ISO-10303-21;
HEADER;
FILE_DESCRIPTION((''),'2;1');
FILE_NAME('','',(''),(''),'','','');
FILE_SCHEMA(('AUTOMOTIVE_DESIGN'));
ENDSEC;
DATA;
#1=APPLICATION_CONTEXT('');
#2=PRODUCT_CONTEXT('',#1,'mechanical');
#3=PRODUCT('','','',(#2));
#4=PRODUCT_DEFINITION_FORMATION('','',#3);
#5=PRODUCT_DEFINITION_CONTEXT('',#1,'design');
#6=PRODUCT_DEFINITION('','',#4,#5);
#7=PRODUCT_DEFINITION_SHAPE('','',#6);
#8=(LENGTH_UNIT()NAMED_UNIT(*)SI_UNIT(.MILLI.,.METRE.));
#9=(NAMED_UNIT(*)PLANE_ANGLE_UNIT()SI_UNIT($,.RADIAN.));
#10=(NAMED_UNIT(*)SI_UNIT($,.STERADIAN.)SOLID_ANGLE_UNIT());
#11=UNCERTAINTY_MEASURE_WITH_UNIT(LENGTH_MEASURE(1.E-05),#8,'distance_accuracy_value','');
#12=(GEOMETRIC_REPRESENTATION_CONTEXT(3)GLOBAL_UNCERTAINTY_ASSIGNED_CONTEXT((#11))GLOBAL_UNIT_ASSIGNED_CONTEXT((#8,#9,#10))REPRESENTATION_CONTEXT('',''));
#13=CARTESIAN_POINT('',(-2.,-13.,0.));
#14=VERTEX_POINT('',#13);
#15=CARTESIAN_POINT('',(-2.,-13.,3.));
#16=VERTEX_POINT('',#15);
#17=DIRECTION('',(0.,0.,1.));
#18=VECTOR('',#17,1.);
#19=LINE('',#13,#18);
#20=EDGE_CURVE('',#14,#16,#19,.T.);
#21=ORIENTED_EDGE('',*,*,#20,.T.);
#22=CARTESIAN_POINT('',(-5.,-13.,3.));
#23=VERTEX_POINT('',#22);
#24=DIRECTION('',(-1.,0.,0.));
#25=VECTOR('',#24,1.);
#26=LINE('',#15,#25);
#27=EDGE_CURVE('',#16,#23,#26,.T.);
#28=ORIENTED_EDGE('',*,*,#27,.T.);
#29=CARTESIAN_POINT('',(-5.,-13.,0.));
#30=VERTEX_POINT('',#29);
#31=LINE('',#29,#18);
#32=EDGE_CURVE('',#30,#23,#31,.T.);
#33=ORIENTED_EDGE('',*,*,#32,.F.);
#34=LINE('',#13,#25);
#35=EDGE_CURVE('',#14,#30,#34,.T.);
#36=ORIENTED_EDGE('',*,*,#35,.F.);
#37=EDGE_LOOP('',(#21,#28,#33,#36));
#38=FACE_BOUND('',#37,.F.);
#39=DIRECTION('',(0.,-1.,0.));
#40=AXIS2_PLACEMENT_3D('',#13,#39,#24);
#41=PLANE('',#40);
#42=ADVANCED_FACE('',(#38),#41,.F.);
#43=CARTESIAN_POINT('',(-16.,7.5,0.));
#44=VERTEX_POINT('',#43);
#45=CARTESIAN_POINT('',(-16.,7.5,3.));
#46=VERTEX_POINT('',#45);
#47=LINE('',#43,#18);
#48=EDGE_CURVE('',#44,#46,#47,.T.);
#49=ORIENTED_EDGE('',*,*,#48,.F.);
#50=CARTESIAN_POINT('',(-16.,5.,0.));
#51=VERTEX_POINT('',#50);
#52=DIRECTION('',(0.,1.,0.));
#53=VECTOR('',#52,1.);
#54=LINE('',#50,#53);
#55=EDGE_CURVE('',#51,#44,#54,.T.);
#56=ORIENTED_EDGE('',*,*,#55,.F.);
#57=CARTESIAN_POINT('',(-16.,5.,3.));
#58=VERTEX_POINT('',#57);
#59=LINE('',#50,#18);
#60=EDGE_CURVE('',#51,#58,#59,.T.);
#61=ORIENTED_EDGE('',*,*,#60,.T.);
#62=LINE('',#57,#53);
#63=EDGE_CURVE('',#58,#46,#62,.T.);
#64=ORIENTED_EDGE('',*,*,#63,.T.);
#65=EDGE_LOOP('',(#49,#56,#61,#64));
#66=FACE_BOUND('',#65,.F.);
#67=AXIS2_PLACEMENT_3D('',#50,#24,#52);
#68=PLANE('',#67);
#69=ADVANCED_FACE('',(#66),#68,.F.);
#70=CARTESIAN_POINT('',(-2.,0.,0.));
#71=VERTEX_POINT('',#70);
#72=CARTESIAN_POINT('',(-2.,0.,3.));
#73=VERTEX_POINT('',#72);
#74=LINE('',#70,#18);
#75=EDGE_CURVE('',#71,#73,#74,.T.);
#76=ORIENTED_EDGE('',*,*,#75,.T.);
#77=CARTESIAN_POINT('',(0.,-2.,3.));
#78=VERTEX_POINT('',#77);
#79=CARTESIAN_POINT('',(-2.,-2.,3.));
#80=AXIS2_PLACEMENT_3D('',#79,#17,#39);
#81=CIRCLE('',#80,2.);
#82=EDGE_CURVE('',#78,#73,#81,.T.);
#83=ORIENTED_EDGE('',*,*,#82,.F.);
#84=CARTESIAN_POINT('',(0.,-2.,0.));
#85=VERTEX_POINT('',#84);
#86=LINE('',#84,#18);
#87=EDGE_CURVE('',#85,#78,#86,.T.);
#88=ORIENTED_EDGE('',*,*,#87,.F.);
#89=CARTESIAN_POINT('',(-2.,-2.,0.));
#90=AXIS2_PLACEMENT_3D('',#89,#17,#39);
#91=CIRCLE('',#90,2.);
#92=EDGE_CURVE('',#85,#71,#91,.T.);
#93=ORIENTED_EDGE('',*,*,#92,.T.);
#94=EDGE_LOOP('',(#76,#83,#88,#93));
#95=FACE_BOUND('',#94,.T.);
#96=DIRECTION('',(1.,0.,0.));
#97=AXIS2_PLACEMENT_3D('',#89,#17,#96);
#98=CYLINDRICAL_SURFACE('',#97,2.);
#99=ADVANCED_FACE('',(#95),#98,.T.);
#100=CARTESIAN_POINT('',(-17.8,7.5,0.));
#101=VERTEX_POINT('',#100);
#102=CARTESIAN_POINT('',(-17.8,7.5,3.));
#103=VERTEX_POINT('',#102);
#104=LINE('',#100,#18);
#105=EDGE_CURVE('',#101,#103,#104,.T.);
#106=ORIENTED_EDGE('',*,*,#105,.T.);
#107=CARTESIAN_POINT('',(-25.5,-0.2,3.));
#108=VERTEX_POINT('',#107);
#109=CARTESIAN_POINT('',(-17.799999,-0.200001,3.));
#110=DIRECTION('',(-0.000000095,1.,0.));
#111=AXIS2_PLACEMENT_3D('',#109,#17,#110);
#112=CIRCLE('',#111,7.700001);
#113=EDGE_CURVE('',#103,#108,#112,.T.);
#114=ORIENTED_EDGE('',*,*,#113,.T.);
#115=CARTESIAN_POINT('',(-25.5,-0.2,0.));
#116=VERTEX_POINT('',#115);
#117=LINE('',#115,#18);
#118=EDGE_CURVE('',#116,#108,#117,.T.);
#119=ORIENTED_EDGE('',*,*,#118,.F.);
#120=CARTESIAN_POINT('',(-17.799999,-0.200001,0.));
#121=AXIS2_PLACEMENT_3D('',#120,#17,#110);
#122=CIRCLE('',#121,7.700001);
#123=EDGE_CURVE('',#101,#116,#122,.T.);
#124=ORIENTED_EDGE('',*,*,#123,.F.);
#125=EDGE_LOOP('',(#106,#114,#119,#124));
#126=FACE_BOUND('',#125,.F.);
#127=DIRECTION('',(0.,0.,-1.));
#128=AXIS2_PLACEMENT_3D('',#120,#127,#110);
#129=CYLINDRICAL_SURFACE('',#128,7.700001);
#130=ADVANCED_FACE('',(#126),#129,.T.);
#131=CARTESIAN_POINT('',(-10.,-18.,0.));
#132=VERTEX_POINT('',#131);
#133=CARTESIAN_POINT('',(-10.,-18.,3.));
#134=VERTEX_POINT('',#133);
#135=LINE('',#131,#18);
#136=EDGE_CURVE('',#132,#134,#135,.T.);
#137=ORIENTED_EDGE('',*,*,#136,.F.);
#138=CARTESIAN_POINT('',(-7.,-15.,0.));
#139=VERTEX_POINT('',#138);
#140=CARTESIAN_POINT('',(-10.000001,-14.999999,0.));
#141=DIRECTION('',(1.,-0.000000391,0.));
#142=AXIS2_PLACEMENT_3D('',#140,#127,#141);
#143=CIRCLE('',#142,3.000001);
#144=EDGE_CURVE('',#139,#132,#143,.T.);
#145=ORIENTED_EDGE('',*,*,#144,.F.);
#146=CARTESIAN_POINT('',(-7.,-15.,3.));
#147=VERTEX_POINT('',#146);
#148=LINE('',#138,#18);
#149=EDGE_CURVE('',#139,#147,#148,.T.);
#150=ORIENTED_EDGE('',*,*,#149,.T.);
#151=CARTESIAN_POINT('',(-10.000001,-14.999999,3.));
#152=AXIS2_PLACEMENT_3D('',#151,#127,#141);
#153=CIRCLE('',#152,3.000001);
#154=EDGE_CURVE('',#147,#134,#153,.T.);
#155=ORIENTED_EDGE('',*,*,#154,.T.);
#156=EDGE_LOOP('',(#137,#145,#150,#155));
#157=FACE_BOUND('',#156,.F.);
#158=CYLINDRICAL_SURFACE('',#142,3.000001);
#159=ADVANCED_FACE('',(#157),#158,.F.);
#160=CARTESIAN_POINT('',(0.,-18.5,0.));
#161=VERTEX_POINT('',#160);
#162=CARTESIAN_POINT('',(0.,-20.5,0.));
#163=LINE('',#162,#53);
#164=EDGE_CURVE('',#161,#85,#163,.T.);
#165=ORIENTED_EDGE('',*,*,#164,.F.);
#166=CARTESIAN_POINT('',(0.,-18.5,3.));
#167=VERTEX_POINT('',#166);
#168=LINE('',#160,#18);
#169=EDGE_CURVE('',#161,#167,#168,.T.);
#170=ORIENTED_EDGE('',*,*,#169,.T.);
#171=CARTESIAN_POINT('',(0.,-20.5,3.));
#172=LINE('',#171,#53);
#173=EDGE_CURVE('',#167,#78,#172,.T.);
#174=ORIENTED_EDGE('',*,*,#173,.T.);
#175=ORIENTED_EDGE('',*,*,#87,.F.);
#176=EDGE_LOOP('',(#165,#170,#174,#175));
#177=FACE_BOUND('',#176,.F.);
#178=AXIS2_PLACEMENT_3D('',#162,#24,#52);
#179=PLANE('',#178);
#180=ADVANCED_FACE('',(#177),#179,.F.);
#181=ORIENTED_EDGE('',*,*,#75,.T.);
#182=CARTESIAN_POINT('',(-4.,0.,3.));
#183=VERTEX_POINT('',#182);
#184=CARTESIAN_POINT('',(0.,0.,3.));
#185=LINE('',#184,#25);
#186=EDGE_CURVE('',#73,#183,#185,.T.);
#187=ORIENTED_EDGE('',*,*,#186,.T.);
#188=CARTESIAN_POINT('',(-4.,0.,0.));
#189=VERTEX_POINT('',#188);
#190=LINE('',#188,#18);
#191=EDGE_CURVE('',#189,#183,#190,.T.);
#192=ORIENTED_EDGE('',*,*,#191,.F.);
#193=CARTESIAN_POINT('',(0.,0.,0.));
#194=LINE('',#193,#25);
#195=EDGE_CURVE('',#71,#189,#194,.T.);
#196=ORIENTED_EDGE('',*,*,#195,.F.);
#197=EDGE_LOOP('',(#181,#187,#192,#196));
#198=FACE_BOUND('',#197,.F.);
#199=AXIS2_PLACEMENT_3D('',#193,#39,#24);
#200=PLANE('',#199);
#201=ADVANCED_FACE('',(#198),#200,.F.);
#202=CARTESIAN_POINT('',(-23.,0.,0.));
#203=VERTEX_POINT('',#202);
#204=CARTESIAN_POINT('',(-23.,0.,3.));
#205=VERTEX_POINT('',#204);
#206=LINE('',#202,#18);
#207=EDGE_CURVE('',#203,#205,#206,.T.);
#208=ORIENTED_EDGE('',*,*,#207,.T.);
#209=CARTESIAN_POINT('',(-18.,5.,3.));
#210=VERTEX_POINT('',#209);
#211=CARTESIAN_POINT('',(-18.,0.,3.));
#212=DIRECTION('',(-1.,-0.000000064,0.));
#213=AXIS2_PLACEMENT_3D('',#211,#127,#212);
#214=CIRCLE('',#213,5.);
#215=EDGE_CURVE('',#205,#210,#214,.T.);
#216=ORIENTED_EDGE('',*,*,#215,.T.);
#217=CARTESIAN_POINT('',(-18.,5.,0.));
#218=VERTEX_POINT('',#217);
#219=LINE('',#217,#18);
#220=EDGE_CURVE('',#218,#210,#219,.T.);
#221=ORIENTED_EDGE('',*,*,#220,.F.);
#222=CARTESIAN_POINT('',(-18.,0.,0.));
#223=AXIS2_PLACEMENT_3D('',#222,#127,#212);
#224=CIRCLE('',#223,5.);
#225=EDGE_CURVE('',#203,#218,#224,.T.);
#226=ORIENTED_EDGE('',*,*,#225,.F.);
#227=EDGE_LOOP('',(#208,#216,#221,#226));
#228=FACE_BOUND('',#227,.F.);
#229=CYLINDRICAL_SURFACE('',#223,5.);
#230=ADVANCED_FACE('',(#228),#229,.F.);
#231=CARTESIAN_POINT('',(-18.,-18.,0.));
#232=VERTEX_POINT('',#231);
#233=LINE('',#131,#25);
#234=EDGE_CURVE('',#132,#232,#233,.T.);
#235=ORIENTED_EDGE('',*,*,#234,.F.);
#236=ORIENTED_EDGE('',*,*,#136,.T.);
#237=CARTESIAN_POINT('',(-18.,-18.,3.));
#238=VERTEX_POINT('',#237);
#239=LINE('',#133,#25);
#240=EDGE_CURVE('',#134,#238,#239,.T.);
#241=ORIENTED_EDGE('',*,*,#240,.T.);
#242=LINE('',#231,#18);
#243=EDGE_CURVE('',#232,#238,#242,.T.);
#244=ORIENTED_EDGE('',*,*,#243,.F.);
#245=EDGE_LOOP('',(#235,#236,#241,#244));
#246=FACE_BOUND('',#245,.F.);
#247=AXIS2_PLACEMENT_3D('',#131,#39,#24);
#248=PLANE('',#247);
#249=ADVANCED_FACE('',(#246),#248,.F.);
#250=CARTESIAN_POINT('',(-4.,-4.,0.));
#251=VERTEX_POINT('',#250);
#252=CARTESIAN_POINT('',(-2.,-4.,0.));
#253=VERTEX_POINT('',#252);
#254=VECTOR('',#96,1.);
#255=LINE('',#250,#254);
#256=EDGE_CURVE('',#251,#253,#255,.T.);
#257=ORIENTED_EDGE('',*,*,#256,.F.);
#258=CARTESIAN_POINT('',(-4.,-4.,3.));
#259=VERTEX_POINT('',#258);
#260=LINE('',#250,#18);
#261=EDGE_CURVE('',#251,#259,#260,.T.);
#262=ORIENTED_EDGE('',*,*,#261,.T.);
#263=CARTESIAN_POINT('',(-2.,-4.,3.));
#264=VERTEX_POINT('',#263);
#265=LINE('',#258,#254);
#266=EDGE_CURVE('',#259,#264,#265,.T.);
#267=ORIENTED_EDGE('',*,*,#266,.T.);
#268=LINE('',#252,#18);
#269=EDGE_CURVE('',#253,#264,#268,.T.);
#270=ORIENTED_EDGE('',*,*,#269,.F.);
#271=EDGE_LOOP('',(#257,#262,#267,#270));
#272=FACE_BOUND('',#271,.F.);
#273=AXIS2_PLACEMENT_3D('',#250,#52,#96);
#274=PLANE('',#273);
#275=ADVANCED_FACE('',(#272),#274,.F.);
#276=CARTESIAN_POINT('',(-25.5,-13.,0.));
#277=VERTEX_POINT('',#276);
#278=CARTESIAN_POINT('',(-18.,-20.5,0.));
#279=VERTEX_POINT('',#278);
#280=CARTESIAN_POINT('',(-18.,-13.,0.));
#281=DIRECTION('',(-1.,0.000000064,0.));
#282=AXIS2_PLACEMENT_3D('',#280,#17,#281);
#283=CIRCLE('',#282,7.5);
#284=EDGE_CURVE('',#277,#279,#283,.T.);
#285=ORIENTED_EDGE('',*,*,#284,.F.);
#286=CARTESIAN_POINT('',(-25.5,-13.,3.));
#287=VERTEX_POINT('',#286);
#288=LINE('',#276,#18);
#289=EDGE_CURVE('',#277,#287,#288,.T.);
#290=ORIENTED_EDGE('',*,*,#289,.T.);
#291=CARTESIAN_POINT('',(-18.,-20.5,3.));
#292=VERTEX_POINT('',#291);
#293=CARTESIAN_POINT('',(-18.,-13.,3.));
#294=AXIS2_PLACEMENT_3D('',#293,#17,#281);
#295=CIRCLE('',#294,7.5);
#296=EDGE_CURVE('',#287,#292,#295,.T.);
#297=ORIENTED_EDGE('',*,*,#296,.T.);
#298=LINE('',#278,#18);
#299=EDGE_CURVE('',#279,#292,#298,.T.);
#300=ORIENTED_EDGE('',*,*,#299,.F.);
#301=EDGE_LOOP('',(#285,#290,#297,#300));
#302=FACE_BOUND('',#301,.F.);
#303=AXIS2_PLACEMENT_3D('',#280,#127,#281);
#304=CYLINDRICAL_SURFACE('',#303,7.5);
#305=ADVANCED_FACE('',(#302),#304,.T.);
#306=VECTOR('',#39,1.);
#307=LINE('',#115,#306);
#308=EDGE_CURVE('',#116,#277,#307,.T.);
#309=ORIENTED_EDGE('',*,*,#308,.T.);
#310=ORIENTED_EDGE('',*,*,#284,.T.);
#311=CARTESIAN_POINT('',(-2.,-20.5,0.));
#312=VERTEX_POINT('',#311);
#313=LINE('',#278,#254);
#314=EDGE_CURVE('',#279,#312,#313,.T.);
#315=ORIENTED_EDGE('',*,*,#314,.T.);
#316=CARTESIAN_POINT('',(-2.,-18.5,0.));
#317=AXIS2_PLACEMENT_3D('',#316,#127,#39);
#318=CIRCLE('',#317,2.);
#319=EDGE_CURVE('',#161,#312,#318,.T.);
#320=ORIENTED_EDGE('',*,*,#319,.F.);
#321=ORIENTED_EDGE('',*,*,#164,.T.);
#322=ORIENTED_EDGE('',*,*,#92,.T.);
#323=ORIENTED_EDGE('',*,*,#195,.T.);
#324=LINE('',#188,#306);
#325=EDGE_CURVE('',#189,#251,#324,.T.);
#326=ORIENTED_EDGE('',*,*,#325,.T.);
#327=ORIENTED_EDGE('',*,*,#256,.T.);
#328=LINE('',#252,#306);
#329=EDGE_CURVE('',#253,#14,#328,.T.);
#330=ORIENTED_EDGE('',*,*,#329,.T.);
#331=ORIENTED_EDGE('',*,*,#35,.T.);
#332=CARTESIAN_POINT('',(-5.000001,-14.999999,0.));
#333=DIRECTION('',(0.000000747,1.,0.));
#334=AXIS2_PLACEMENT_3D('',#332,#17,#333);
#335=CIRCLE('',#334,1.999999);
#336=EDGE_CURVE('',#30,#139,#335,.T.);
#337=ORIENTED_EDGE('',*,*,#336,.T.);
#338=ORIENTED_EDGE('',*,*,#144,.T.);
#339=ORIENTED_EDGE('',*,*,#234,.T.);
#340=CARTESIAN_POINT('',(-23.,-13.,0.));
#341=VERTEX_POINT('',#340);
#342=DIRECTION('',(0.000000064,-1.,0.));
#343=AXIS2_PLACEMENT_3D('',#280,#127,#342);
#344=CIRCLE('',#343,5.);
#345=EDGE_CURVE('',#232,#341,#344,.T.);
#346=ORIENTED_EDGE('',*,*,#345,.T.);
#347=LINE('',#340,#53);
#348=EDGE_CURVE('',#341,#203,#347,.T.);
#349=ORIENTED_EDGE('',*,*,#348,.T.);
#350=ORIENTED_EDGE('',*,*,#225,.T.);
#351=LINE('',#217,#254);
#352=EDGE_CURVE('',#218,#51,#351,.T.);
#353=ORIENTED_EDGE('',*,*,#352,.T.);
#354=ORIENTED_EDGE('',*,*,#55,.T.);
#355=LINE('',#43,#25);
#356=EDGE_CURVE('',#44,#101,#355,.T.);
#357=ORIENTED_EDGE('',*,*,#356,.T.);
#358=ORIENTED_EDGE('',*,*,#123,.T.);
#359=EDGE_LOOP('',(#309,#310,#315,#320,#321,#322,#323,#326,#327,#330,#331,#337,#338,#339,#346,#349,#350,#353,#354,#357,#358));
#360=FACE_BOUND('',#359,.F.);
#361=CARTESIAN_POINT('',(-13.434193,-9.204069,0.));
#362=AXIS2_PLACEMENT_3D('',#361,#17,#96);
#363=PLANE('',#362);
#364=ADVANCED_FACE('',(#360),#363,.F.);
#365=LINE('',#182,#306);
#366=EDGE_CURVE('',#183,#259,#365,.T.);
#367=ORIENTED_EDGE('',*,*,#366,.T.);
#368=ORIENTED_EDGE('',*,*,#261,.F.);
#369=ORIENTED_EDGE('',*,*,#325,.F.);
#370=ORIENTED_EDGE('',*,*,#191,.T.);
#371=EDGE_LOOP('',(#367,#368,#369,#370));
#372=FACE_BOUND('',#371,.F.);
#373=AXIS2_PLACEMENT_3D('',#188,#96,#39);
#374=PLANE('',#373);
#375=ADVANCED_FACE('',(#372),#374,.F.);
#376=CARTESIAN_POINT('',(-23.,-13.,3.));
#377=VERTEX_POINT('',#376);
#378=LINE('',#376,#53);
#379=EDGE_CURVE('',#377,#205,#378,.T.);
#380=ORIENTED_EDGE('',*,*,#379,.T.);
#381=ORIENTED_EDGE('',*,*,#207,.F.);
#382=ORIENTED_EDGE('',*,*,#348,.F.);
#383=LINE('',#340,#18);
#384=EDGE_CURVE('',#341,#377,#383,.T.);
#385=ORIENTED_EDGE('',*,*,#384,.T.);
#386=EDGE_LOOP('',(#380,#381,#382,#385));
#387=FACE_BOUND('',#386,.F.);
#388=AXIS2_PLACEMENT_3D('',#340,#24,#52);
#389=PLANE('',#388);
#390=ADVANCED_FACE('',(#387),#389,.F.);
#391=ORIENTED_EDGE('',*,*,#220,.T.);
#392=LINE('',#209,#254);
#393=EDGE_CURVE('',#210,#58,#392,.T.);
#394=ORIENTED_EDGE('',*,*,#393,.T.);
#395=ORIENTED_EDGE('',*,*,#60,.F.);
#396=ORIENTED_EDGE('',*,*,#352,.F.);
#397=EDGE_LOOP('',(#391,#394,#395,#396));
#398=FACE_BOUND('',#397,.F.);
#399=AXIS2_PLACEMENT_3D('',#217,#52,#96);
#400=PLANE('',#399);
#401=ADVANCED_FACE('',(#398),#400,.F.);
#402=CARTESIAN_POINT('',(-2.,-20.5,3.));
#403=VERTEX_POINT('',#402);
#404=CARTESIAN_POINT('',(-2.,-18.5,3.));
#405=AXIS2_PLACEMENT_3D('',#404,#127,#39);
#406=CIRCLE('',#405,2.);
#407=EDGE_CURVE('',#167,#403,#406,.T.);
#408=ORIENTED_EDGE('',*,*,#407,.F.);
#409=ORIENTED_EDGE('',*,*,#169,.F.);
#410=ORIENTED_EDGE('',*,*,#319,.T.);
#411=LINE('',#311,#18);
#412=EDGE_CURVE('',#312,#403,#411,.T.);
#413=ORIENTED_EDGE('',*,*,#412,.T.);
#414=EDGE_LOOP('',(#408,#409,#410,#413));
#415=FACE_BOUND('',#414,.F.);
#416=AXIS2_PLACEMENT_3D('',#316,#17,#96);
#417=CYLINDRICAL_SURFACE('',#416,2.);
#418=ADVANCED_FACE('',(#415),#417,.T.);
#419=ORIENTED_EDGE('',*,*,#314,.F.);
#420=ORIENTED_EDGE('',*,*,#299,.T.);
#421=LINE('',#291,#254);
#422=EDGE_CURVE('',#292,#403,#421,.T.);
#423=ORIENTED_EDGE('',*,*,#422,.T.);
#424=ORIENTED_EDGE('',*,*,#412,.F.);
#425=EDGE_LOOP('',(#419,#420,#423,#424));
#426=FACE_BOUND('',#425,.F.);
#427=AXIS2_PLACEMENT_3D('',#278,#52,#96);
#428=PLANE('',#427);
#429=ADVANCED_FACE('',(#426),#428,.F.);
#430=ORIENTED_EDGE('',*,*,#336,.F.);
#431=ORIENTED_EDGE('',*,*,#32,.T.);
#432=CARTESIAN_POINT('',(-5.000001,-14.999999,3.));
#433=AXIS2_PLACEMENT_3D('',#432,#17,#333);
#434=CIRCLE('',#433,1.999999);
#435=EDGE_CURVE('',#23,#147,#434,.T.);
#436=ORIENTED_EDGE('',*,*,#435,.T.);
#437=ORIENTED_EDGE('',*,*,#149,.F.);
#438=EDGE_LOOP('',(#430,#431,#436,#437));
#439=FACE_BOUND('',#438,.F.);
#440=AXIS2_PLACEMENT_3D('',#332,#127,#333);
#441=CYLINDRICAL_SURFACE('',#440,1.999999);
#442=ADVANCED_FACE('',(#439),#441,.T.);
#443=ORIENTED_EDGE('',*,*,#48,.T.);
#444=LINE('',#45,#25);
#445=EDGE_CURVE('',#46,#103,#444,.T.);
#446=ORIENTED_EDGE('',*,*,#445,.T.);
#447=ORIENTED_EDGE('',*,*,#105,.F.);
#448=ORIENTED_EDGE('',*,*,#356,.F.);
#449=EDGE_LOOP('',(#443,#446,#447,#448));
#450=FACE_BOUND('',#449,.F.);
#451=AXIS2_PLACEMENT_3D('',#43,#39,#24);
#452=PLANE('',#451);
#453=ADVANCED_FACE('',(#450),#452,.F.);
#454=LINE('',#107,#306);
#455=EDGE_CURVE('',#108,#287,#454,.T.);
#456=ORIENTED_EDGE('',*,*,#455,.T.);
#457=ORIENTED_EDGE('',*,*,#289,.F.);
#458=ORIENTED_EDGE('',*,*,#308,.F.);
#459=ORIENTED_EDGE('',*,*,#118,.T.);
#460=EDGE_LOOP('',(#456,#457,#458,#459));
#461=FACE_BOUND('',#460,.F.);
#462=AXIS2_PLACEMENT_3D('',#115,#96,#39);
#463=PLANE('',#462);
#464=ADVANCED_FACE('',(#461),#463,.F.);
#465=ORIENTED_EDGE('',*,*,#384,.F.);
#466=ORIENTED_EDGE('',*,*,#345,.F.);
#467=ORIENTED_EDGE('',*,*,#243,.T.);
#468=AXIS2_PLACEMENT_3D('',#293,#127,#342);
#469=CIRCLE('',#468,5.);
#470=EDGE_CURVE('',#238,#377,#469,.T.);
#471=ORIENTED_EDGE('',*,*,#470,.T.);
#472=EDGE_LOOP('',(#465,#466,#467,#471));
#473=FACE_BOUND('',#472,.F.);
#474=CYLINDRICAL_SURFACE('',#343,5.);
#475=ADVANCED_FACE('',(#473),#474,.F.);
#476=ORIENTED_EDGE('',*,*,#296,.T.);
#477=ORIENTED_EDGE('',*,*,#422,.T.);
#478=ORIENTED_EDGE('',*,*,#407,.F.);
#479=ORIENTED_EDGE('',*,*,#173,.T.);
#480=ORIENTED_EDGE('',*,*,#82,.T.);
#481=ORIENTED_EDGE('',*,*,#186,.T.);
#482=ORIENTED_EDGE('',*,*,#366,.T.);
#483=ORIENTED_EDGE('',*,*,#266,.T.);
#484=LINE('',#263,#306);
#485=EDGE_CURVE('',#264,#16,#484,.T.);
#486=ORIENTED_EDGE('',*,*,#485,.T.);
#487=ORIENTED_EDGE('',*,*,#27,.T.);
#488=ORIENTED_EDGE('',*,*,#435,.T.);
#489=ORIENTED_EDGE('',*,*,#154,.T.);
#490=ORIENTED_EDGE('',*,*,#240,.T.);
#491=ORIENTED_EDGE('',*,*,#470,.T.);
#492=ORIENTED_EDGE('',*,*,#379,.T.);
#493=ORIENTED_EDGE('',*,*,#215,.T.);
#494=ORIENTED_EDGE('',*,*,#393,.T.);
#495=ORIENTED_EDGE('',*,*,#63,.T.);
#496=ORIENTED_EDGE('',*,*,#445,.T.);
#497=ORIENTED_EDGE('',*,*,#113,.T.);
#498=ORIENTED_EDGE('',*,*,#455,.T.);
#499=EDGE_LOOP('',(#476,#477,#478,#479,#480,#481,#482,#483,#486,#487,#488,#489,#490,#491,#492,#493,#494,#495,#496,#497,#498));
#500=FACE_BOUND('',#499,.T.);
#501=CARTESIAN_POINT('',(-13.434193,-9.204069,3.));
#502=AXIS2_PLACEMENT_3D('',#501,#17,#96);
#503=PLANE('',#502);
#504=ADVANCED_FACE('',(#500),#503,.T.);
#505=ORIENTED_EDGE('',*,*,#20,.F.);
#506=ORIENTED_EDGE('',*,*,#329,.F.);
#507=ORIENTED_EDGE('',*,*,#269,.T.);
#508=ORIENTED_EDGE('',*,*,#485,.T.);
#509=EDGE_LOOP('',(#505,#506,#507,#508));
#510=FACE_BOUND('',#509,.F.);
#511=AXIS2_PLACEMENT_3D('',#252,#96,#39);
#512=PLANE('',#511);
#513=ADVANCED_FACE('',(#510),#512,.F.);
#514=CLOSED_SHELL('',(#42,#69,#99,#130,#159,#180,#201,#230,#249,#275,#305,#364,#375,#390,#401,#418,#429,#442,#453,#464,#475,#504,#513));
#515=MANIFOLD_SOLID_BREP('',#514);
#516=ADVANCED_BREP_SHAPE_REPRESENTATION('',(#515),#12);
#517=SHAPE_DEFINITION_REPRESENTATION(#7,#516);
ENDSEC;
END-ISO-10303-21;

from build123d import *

# Parameters (mm, degrees)
F1_DEPTH = 3
F2_R     = 2


with BuildPart() as f1:
    # F0 (on Top) → F1 (new body)
    with BuildSketch(Plane.XY):
        with BuildLine():
            Line((0, -20.5), (0, 0))
            Line((0, 0), (-4, 0))
            Line((-4, 0), (-4, -4))
            Line((-4, -4), (-2, -4))
            Line((-2, -4), (-2, -13))
            Line((-2, -13), (-5, -13))
            ThreePointArc((-5, -13), (-6.414214, -13.585786), (-7, -15))
            ThreePointArc((-7, -15), (-7.87868, -17.12132), (-10, -18))
            Line((-10, -18), (-18, -18))
            ThreePointArc((-18, -18), (-21.535534, -16.535534), (-23, -13))
            Line((-23, -13), (-23, 0))
            ThreePointArc((-23, 0), (-21.535534, 3.535534), (-18, 5))
            Line((-18, 5), (-16, 5))
            Line((-16, 5), (-16, 7.5))
            Line((-16, 7.5), (-17.8, 7.5))
            ThreePointArc((-17.8, 7.5), (-23.244722, 5.244722), (-25.5, -0.2))
            Line((-25.5, -0.2), (-25.5, -13))
            ThreePointArc((-25.5, -13), (-23.303301, -18.303301), (-18, -20.5))
            Line((-18, -20.5), (0, -20.5))
        make_face()
    extrude(amount=F1_DEPTH)

    # F2
    f2_edges = [f1.edges().sort_by_distance(p)[0] for p in [
        (-25.5, -13, 1.5),
        (-25.5, -0.2, 1.5),
        (0, 0, 1.5),
        (0, -20.5, 1.5),
        (-18, -20.5, 1.5),
    ]]
    fillet(f2_edges, radius=F2_R)


solid = f1.part
